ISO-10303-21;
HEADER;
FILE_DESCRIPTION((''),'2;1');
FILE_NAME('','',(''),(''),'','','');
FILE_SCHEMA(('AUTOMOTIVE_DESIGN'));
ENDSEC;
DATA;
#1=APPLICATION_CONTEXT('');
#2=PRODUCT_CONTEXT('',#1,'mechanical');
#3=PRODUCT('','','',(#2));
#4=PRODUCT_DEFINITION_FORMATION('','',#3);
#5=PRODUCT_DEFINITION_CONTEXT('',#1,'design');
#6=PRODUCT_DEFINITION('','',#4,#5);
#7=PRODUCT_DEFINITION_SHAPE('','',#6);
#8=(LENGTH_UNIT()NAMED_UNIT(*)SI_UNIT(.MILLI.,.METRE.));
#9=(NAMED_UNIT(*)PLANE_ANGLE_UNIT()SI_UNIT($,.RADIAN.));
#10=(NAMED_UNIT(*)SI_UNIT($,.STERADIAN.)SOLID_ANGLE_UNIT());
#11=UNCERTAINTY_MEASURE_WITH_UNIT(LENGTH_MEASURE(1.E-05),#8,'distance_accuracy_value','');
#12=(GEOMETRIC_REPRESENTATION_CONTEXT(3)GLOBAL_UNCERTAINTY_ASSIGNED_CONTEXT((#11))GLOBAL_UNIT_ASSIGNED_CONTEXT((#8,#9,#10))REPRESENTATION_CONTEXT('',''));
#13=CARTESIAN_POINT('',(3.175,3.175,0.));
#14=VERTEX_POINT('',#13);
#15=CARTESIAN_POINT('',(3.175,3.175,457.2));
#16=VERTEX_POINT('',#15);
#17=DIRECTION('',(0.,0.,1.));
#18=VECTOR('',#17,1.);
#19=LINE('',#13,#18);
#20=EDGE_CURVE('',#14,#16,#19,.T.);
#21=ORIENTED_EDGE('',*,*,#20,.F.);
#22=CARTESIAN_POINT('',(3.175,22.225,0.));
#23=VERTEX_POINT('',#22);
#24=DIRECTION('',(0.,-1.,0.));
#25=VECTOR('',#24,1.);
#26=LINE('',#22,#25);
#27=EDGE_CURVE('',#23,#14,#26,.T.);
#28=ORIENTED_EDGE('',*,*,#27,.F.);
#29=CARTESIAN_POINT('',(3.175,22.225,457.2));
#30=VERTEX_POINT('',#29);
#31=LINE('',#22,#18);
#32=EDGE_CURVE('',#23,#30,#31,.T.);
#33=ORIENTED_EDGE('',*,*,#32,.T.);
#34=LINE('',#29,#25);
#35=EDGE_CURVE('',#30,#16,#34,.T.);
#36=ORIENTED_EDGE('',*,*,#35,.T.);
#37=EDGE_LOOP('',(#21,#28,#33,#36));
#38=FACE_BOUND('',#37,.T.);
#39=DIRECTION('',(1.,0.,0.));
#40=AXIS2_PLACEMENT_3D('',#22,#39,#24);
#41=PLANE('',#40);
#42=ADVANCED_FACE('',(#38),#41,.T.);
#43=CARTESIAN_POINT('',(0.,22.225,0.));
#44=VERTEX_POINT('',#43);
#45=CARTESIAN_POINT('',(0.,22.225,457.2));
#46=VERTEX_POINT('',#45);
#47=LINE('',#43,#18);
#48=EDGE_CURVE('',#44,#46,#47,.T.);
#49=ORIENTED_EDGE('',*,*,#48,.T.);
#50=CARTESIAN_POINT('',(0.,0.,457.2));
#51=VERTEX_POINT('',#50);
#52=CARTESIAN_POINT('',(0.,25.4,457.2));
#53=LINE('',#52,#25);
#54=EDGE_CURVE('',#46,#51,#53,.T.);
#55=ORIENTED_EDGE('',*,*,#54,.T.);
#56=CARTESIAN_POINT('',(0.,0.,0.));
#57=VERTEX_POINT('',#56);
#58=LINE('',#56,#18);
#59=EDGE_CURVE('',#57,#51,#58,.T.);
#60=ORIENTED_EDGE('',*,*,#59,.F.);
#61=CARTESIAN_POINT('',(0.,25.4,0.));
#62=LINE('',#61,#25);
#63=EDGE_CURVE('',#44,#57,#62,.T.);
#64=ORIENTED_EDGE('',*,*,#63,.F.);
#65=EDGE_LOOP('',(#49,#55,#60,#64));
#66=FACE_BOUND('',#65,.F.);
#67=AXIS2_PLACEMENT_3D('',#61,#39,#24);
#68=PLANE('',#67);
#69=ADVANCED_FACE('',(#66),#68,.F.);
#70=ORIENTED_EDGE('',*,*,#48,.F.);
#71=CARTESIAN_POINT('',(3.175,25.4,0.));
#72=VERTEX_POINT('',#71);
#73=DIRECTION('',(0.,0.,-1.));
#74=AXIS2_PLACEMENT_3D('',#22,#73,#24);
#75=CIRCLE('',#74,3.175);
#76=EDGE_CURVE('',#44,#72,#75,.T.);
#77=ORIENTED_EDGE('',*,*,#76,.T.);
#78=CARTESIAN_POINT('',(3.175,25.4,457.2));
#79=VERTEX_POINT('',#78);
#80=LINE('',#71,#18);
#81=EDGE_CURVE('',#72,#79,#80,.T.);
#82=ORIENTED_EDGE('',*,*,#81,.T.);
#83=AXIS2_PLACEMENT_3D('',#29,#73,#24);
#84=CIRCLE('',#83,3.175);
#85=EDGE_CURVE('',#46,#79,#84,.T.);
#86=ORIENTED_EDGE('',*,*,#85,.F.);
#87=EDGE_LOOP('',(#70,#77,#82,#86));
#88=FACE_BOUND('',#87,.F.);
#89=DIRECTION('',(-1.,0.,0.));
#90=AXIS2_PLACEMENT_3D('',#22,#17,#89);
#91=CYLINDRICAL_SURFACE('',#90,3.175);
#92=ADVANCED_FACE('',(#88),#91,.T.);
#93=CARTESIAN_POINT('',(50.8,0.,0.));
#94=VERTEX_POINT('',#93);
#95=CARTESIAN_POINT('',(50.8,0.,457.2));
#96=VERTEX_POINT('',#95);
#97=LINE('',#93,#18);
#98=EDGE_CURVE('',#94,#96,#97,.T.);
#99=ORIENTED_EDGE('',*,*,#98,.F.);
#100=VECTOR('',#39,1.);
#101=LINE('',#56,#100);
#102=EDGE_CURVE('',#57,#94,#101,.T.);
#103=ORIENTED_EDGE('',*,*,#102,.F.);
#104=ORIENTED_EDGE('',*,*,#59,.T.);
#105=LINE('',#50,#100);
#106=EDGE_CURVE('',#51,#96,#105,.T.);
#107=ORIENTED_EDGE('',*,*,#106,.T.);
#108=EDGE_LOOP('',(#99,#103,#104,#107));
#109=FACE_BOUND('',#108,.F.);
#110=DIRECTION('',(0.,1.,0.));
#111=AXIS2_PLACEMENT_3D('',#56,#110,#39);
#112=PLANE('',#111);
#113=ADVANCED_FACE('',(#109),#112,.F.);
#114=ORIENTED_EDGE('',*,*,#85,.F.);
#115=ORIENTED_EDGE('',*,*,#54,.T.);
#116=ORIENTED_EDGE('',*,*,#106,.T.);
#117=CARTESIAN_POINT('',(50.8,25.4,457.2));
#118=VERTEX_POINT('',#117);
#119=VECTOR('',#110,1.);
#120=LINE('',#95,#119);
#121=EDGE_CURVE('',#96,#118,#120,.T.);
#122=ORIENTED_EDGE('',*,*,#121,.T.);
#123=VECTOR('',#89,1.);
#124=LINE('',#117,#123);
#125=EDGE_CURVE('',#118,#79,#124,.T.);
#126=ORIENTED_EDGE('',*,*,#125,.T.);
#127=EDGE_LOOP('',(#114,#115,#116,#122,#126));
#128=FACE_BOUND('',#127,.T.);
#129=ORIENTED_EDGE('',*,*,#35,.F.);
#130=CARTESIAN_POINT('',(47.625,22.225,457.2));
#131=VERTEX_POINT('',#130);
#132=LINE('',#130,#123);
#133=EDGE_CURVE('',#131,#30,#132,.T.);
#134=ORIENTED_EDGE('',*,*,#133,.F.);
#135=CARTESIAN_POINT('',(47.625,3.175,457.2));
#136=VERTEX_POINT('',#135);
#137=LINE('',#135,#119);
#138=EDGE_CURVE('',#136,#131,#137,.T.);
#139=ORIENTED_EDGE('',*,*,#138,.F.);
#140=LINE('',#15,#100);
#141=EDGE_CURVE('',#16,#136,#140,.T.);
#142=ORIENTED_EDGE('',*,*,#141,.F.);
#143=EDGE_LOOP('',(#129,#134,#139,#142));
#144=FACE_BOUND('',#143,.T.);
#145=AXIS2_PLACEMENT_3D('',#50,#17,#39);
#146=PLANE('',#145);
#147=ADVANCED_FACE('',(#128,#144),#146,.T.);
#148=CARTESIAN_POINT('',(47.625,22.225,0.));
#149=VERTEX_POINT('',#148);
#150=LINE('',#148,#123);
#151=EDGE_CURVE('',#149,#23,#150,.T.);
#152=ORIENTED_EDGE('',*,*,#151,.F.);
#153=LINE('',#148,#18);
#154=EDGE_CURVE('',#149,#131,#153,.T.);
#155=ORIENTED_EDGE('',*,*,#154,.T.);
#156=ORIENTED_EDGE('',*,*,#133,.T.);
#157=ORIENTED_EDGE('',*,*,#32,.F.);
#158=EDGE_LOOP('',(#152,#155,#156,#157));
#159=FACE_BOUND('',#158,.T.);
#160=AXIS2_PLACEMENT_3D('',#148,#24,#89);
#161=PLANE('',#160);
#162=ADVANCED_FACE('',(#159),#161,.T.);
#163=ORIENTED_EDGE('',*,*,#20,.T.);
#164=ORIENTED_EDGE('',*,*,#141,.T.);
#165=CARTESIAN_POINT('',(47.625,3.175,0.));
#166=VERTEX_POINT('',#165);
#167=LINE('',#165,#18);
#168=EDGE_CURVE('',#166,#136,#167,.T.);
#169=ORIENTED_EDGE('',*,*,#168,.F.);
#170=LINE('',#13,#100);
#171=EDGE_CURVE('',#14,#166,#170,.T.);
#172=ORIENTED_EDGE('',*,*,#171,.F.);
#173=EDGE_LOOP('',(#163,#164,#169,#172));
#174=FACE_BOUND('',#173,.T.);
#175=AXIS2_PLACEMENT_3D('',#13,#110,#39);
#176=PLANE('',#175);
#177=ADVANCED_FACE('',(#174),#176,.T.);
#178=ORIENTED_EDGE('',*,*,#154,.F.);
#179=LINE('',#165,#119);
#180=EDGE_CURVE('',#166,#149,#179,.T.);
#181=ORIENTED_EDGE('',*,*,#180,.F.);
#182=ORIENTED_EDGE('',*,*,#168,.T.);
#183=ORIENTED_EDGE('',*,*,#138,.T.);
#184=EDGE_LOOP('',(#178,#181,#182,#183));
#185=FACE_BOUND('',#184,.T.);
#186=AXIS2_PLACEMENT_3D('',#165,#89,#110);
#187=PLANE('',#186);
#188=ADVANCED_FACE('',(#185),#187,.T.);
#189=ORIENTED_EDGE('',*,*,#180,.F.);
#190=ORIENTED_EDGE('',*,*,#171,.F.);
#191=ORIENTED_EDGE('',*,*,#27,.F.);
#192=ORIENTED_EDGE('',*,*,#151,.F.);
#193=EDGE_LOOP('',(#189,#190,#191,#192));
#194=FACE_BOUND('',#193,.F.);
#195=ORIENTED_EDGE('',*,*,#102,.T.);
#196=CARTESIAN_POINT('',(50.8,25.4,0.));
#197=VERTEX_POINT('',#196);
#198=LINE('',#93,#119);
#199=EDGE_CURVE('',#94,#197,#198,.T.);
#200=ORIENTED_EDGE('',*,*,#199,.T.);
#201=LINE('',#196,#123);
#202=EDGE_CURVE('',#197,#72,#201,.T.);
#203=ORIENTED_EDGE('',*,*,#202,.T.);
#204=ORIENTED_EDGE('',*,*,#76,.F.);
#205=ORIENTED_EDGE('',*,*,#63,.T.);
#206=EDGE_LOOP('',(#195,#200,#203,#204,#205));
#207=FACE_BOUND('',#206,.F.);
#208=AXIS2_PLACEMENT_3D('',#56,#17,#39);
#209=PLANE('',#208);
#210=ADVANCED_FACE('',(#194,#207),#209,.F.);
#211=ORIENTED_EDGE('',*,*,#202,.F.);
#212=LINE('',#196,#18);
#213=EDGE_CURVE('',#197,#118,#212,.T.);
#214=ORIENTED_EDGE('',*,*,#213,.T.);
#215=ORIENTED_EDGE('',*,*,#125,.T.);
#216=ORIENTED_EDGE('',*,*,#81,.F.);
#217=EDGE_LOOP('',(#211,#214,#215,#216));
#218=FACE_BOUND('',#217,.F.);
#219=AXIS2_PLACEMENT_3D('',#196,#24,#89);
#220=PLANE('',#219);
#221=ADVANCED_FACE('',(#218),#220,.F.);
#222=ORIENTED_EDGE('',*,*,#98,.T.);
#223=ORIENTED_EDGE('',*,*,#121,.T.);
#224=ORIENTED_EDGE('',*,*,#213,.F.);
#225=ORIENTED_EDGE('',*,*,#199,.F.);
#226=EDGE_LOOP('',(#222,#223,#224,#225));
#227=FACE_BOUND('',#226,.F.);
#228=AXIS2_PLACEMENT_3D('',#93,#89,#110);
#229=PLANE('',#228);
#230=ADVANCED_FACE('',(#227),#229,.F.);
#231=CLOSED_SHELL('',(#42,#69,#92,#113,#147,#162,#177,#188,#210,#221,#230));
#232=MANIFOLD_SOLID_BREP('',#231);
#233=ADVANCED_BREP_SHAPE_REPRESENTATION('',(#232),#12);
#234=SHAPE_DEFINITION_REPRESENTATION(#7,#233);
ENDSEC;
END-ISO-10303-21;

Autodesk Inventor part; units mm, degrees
ref_plane "YZ Plane" through (0, 0, 0) normal (1, 0, 0) x (0, 1, 0)
ref_plane "XZ Plane" through (0, 0, 0) normal (0, 1, 0) x (-1, 0, 0)
ref_plane "XY Plane" through (0, 0, 0) normal (0, 0, 1) x (1, 0, 0)
sketch "Sketch1" plane through (0, 0, 0) normal (0, 0, 1) x (1, 0, 0)
  line L0 (0, 0) -> (50.8, 0)
  line L1 (50.8, 0) -> (50.8, 25.4)
  line L2 (50.8, 25.4) -> (0, 25.4)
  line L3 (0, 25.4) -> (0, 0)
  line L4 (3.175, 3.175) -> (47.625, 3.175)
  line L5 (47.625, 3.175) -> (47.625, 22.225)
  line L6 (47.625, 22.225) -> (3.175, 22.225)
  line L7 (3.175, 22.225) -> (3.175, 3.175)
  dimension "d0" = 50.8
  dimension "d1" = 25.4
  dimension "d2" = 3.175
  dimension "d3" = 3.175
  dimension "d4" = 3.175
  dimension "d5" = 3.175
extrude "Extrusion1" add sketch "Sketch1" along normal blind 457.2
fillet "Fillet1" radius 3.175 1 edges at (0, 25.4, 228.6)
equation "\"d3\" = d2"
equation "\"d4\" = d2"
equation "\"d5\" = d3"
properties part number "Bolt On Cross Supprot" material "Aluminum 6061"
